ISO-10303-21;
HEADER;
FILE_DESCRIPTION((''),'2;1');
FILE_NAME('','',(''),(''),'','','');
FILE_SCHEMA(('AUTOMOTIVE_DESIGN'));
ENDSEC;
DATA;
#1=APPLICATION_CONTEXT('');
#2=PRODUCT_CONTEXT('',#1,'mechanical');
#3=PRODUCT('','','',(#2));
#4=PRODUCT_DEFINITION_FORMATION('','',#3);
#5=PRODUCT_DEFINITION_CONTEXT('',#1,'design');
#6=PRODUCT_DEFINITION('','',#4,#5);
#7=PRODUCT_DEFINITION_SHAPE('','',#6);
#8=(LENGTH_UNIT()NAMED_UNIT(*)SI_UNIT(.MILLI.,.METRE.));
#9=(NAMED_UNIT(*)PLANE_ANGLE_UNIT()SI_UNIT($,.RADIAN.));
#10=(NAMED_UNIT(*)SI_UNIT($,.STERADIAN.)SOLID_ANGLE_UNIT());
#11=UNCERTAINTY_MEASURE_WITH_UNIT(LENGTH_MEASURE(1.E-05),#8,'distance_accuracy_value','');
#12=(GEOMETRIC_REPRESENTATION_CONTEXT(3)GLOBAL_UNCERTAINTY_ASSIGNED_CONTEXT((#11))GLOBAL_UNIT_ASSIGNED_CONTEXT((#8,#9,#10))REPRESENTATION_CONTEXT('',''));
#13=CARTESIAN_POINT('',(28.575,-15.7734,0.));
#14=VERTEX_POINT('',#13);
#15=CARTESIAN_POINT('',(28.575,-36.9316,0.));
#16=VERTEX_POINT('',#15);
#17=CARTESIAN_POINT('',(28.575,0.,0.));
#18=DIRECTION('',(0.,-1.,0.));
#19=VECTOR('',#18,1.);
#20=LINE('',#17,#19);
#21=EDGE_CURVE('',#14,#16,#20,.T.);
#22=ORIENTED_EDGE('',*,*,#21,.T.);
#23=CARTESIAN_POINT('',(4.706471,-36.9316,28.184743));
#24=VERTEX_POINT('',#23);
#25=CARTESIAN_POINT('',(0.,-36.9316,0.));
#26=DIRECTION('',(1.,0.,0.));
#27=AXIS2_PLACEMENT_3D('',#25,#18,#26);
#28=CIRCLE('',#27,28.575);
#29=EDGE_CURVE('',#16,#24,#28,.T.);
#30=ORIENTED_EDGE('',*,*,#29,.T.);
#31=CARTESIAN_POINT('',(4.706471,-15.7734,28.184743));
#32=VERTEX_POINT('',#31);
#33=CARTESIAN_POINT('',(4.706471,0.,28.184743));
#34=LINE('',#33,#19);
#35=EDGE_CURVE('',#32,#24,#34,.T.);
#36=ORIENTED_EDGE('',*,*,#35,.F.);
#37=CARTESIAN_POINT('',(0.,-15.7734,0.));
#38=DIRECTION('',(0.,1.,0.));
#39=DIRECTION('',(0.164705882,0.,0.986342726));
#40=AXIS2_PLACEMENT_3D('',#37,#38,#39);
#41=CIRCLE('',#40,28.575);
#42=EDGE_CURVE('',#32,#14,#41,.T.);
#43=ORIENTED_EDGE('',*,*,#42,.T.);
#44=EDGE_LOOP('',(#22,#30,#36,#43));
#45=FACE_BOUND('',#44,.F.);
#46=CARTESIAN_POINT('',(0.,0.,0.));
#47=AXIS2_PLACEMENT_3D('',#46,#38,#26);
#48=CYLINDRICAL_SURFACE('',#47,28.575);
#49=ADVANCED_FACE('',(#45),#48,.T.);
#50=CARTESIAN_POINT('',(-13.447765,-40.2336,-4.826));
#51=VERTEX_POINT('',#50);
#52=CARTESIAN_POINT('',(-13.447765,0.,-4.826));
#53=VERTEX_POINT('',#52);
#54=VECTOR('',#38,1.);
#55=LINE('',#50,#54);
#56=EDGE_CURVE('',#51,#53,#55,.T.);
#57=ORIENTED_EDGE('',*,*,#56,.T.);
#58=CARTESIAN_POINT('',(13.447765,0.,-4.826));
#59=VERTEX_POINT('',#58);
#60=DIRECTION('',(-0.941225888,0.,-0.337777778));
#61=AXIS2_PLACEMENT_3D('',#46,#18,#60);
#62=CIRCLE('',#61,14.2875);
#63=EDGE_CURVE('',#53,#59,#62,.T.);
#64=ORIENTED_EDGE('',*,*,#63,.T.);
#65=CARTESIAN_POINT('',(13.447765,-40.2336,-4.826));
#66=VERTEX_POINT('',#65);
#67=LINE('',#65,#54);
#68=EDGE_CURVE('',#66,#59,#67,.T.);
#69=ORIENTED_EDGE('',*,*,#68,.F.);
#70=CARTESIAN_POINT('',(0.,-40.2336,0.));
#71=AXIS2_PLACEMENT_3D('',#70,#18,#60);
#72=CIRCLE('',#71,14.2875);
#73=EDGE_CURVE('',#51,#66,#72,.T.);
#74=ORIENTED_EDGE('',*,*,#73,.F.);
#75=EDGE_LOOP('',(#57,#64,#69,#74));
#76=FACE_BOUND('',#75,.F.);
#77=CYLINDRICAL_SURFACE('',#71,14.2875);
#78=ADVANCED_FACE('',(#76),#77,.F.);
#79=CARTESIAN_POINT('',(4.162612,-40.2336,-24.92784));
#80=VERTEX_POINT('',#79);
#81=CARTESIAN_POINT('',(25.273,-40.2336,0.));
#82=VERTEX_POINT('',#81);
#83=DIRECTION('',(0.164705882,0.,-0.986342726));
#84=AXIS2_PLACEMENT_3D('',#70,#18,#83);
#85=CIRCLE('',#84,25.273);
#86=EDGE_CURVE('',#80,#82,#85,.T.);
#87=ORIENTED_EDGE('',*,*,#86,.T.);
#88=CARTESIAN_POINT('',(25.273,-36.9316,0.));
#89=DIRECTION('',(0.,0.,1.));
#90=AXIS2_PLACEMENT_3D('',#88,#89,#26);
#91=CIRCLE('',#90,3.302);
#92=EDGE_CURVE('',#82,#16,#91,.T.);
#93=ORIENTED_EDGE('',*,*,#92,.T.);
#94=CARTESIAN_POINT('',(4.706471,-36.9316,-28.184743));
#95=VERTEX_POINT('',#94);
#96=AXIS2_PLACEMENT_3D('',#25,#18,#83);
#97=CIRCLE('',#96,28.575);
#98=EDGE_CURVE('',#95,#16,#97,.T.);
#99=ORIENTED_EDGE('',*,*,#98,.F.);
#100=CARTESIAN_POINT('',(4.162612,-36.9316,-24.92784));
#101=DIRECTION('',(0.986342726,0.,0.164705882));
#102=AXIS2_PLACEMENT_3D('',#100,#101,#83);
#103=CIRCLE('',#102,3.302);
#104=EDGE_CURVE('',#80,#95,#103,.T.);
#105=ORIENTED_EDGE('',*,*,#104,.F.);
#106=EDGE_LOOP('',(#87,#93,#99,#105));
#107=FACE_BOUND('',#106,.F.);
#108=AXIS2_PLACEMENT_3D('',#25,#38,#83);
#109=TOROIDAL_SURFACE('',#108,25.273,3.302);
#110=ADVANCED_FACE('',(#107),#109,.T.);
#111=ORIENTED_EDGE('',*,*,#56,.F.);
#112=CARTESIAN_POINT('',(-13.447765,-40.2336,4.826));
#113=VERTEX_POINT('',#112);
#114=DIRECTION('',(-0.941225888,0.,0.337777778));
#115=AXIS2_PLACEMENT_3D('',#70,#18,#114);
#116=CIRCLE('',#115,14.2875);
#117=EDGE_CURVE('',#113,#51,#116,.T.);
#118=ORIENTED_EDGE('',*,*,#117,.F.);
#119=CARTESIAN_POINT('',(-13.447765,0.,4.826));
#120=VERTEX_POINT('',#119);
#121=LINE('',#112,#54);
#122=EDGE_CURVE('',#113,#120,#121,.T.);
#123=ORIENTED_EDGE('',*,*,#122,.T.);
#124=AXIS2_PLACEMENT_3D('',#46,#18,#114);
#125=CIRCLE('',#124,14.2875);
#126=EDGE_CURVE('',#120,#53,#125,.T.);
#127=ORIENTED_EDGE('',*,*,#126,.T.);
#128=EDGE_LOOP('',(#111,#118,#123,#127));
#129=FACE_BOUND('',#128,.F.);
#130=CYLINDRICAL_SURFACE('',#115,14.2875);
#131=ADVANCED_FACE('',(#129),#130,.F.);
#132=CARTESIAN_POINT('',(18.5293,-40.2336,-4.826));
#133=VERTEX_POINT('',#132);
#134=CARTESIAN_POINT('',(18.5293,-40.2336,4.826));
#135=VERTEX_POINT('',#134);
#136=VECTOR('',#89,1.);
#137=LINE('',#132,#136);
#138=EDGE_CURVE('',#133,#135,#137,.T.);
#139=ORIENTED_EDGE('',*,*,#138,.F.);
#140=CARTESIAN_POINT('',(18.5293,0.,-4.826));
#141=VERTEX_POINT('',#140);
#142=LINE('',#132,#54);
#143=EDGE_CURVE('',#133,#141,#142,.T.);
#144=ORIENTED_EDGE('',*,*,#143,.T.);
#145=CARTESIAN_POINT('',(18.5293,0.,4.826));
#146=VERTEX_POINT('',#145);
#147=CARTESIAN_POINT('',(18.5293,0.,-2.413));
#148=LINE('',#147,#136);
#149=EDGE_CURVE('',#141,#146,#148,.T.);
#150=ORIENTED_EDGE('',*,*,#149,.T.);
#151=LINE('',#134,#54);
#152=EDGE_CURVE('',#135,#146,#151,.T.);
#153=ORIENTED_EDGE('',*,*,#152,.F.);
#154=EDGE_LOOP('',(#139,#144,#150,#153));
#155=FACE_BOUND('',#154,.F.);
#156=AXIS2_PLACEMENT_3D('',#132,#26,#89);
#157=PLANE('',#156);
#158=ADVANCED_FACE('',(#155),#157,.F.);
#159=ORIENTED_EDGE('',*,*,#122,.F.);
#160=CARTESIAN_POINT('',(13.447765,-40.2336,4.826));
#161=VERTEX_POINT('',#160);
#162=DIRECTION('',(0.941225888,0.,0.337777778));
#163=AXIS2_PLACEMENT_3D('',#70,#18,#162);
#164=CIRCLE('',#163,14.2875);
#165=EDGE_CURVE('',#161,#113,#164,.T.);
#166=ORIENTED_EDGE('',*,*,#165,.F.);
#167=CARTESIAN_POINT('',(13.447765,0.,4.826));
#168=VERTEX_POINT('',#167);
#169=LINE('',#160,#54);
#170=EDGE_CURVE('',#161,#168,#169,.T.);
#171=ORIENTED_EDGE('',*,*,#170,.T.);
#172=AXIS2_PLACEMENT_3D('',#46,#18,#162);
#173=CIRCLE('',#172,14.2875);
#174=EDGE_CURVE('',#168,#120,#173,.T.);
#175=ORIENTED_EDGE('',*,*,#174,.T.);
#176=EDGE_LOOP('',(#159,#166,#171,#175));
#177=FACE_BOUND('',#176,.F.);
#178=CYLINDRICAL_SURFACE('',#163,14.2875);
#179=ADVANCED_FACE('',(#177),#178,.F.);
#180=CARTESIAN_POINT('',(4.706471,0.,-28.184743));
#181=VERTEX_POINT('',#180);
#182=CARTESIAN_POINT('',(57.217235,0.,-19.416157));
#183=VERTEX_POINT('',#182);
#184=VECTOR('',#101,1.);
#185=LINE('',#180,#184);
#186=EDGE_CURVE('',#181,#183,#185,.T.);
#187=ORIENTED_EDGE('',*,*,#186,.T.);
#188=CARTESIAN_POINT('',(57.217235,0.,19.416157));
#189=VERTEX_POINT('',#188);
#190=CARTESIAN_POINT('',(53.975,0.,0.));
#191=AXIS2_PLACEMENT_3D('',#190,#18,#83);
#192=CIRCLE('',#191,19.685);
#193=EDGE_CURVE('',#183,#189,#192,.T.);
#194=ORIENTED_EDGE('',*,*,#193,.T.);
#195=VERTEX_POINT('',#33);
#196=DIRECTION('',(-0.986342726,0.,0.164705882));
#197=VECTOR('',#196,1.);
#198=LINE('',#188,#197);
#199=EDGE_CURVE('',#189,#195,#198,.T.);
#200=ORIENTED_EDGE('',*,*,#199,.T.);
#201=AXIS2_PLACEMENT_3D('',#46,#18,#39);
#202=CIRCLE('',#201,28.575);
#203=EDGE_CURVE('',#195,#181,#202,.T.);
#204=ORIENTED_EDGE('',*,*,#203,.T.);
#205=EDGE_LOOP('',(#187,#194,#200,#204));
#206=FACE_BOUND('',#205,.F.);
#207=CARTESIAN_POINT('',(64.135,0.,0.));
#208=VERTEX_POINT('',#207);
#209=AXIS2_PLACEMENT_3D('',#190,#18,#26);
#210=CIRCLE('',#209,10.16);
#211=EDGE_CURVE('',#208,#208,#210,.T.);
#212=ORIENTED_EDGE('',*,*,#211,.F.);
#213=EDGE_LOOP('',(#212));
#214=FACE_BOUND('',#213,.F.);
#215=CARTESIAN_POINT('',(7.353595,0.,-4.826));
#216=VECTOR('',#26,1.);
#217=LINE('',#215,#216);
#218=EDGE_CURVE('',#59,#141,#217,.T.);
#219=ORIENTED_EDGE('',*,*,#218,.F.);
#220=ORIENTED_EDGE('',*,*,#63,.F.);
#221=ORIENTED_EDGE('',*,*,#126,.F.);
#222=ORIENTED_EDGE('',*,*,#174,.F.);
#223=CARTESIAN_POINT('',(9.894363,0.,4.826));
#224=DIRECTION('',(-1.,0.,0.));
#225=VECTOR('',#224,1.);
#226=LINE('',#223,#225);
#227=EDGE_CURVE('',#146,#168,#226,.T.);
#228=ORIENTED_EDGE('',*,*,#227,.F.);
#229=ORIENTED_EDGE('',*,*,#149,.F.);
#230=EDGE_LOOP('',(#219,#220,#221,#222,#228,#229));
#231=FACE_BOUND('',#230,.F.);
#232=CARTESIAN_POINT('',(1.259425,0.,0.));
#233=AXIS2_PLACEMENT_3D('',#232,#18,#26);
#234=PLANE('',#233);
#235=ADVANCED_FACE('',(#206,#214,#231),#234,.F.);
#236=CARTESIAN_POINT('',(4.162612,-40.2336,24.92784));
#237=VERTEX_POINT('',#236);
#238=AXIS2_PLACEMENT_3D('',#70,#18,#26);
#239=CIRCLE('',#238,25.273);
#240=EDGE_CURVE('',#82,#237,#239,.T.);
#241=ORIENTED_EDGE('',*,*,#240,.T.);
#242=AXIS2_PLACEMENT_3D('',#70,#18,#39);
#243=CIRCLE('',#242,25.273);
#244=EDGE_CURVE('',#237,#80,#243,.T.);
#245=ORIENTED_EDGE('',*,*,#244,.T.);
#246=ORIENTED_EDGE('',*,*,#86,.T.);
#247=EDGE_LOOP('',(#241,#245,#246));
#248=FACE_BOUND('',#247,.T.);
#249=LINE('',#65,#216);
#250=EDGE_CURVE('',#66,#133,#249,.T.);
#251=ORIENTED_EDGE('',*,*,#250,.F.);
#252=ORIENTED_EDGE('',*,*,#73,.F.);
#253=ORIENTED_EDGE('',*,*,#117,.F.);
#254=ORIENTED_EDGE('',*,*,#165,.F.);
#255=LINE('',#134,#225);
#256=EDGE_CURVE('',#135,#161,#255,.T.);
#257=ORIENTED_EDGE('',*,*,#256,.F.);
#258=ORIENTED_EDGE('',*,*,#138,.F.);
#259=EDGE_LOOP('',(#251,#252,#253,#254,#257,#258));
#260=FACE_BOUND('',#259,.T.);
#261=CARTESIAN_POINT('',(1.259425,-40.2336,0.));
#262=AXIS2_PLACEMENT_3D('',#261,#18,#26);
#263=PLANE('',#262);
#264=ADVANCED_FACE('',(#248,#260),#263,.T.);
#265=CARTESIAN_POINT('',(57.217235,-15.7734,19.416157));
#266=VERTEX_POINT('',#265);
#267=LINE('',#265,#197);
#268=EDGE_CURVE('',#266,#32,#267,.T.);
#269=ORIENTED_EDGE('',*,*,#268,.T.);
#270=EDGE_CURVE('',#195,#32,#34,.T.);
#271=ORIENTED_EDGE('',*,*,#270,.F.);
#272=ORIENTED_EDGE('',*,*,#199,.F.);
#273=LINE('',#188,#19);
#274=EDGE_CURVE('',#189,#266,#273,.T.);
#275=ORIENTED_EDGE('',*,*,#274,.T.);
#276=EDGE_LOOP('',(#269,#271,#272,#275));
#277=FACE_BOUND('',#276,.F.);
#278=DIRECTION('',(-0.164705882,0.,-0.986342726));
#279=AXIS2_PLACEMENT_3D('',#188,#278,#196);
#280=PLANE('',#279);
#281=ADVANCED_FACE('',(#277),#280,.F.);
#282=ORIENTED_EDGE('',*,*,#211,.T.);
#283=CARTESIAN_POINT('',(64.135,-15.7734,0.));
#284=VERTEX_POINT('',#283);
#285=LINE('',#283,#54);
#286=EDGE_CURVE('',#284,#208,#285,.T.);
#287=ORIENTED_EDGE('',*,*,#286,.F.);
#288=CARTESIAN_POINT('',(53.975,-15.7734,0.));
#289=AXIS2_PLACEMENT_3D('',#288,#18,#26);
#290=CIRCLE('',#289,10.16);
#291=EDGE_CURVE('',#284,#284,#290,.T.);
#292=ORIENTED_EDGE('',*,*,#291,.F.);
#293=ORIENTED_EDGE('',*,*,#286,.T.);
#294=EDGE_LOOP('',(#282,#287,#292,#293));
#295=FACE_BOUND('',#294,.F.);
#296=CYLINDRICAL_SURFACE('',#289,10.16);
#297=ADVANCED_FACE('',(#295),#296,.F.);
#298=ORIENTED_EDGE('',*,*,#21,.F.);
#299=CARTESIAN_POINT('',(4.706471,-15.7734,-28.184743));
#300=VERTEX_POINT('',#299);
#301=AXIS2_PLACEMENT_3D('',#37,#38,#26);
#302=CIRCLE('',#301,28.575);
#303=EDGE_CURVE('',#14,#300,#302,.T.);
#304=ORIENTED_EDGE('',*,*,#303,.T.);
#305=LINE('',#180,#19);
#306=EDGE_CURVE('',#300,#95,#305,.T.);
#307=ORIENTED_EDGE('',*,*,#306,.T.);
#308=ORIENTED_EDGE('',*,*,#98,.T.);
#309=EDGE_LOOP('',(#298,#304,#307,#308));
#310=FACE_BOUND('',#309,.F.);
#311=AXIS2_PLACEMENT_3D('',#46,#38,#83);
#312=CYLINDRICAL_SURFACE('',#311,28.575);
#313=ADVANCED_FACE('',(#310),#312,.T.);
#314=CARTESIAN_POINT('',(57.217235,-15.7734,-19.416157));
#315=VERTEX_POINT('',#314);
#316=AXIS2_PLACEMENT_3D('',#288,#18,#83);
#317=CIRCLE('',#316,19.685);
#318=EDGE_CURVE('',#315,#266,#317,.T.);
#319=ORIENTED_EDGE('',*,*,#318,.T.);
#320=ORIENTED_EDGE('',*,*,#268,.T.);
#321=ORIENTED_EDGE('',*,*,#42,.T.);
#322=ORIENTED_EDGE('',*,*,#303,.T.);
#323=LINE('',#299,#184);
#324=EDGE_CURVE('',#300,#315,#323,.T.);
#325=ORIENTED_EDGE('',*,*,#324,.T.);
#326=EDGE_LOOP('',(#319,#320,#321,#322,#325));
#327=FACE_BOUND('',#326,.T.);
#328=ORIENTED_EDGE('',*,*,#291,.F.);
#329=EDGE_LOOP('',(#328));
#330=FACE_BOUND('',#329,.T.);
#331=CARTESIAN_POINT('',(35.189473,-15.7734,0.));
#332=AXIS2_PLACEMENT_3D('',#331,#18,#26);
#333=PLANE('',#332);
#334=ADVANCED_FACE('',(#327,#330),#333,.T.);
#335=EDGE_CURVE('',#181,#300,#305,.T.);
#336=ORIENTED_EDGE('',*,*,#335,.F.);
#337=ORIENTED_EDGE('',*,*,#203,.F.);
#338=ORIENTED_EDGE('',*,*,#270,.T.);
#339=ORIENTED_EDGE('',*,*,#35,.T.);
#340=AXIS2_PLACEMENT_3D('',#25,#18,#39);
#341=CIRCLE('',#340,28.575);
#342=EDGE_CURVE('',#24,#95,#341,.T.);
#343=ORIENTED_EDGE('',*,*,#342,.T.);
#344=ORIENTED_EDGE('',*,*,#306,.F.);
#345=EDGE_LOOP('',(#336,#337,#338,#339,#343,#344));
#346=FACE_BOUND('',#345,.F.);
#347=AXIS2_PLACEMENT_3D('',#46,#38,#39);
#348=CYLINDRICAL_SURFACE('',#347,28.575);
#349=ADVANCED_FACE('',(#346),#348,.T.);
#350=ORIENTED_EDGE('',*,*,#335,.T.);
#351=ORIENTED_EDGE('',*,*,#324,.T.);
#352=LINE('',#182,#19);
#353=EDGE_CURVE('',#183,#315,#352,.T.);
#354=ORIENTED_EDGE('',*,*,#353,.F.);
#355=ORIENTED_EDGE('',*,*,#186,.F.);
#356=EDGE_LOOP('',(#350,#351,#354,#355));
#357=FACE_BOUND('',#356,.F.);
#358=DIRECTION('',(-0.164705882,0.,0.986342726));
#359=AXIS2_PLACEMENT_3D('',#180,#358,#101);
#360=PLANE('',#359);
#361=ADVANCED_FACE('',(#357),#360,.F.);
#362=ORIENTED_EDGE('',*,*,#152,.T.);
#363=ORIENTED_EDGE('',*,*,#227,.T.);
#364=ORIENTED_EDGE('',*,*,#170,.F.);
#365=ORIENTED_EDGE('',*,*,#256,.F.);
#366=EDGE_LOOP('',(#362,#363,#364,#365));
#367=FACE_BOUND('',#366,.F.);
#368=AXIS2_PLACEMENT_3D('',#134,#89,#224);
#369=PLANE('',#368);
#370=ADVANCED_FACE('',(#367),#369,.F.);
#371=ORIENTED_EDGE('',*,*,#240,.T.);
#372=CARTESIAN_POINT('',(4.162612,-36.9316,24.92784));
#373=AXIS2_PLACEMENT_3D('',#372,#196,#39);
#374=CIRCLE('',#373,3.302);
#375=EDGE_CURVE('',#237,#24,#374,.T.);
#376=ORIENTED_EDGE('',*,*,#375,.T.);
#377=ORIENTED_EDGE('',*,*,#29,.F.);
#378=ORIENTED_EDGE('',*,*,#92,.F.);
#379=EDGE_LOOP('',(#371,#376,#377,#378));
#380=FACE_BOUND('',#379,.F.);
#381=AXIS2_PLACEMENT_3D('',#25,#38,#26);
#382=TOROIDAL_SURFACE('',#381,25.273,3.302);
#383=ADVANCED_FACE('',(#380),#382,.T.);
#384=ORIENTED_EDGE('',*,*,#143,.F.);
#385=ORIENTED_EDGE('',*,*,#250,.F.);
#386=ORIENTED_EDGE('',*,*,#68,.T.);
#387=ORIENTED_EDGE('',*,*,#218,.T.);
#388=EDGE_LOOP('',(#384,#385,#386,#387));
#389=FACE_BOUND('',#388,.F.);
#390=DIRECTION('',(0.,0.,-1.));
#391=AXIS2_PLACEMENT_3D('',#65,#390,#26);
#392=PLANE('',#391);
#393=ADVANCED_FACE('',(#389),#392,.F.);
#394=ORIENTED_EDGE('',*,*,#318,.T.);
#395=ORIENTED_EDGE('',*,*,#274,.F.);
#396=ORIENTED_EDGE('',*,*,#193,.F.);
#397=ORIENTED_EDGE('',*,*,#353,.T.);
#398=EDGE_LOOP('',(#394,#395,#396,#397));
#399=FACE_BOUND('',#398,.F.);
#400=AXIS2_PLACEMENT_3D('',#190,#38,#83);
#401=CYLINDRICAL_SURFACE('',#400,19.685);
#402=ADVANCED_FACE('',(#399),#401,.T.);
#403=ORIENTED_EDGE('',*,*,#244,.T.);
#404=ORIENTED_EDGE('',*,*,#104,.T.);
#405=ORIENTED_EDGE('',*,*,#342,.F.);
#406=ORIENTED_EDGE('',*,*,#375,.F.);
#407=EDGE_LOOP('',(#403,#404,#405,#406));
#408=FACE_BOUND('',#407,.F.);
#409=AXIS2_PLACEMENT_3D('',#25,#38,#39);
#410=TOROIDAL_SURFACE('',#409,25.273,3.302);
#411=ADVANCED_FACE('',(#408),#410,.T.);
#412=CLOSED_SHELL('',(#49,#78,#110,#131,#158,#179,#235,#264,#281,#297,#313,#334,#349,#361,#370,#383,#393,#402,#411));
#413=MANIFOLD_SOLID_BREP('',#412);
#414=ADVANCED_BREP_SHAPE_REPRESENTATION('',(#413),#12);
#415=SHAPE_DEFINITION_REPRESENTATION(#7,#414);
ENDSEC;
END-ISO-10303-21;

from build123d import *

# Parameters (mm, degrees)
F1_DEPTH = 15.7734
F2_R     = 10.16
F3_DEPTH = 15.7744
F4_DEPTH = 40.2336
F6_DEPTH = 40.2346
F7_R     = 3.302


with BuildPart() as f1:
    # F0 (on Front) → F1 (new body)
    with BuildSketch(Plane.XZ):
        with BuildLine():
            ThreePointArc((4.7064705882, 28.1847433836), (21.8061691049, 18.4667705344), (28.575, 0))
            ThreePointArc((28.575, 0), (21.8061691049, -18.4667705344), (4.7064705882, -28.1847433836))
            Line((4.7064705882, -28.1847433836), (57.2172352941, -19.4161565532))
            ThreePointArc((57.2172352941, -19.4161565532), (73.66, 0), (57.2172352941, 19.4161565532))
            Line((57.2172352941, 19.4161565532), (4.7064705882, 28.1847433836))
        make_face()
    extrude(amount=F1_DEPTH)

    # F2 (on face) → F3 (cut, through all)
    with BuildSketch(Plane.XZ.offset(15.7734)):
        with Locations((53.975, 0)):
            Circle(F2_R)
    extrude(amount=-F3_DEPTH, mode=Mode.SUBTRACT)

    # F0 (on Front) → F4 (join)
    with BuildSketch(Plane.XZ):
        with BuildLine():
            ThreePointArc((4.7064705882, -28.1847433836), (21.8061691049, -18.4667705344), (28.575, 0))
            ThreePointArc((28.575, 0), (21.8061691049, 18.4667705344), (4.7064705882, 28.1847433836))
            ThreePointArc((4.7064705882, 28.1847433836), (-28.575, 0), (4.7064705882, -28.1847433836))
        make_face()
    extrude(amount=F4_DEPTH)

    # F5 (on face) → F6 (cut, through all)
    with BuildSketch(Plane.XZ.offset(40.2336)):
        with BuildLine():
            ThreePointArc((13.4477648793, -4.826), (14.0760007986, -2.4492565746), (14.2875, 0))
            ThreePointArc((14.2875, 0), (14.0760007986, 2.4492565746), (13.4477648793, 4.826))
            Line((13.4477648793, 4.826), (-13.4477648793, 4.826))
            ThreePointArc((-13.4477648793, 4.826), (-14.2875, 0), (-13.4477648793, -4.826))
            Line((-13.4477648793, -4.826), (13.4477648793, -4.826))
        make_face()
        with BuildLine():
            Line((-13.4477648793, 4.826), (13.4477648793, 4.826))
            ThreePointArc((13.4477648793, 4.826), (0, 14.2875), (-13.4477648793, 4.826))
        make_face()
        with BuildLine():
            ThreePointArc((-13.4477648793, -4.826), (0, -14.2875), (13.4477648793, -4.826))
            Line((13.4477648793, -4.826), (-13.4477648793, -4.826))
        make_face()
        with BuildLine():
            ThreePointArc((13.4477648793, 4.826), (14.0760007986, 2.4492565746), (14.2875, 0))
            ThreePointArc((14.2875, 0), (14.0760007986, -2.4492565746), (13.4477648793, -4.826))
            Line((13.4477648793, -4.826), (18.5293, -4.826))
            Line((18.5293, -4.826), (18.5293, 4.826))
            Line((18.5293, 4.826), (13.4477648793, 4.826))
        make_face()
    extrude(amount=-F6_DEPTH, mode=Mode.SUBTRACT)

    # F7
    f7_edges = [f1.edges().sort_by_distance(p)[0] for p in [
        (-4.706471, -40.2336, 28.184743),
    ]]
    fillet(f7_edges, radius=F7_R)


solid = f1.part
